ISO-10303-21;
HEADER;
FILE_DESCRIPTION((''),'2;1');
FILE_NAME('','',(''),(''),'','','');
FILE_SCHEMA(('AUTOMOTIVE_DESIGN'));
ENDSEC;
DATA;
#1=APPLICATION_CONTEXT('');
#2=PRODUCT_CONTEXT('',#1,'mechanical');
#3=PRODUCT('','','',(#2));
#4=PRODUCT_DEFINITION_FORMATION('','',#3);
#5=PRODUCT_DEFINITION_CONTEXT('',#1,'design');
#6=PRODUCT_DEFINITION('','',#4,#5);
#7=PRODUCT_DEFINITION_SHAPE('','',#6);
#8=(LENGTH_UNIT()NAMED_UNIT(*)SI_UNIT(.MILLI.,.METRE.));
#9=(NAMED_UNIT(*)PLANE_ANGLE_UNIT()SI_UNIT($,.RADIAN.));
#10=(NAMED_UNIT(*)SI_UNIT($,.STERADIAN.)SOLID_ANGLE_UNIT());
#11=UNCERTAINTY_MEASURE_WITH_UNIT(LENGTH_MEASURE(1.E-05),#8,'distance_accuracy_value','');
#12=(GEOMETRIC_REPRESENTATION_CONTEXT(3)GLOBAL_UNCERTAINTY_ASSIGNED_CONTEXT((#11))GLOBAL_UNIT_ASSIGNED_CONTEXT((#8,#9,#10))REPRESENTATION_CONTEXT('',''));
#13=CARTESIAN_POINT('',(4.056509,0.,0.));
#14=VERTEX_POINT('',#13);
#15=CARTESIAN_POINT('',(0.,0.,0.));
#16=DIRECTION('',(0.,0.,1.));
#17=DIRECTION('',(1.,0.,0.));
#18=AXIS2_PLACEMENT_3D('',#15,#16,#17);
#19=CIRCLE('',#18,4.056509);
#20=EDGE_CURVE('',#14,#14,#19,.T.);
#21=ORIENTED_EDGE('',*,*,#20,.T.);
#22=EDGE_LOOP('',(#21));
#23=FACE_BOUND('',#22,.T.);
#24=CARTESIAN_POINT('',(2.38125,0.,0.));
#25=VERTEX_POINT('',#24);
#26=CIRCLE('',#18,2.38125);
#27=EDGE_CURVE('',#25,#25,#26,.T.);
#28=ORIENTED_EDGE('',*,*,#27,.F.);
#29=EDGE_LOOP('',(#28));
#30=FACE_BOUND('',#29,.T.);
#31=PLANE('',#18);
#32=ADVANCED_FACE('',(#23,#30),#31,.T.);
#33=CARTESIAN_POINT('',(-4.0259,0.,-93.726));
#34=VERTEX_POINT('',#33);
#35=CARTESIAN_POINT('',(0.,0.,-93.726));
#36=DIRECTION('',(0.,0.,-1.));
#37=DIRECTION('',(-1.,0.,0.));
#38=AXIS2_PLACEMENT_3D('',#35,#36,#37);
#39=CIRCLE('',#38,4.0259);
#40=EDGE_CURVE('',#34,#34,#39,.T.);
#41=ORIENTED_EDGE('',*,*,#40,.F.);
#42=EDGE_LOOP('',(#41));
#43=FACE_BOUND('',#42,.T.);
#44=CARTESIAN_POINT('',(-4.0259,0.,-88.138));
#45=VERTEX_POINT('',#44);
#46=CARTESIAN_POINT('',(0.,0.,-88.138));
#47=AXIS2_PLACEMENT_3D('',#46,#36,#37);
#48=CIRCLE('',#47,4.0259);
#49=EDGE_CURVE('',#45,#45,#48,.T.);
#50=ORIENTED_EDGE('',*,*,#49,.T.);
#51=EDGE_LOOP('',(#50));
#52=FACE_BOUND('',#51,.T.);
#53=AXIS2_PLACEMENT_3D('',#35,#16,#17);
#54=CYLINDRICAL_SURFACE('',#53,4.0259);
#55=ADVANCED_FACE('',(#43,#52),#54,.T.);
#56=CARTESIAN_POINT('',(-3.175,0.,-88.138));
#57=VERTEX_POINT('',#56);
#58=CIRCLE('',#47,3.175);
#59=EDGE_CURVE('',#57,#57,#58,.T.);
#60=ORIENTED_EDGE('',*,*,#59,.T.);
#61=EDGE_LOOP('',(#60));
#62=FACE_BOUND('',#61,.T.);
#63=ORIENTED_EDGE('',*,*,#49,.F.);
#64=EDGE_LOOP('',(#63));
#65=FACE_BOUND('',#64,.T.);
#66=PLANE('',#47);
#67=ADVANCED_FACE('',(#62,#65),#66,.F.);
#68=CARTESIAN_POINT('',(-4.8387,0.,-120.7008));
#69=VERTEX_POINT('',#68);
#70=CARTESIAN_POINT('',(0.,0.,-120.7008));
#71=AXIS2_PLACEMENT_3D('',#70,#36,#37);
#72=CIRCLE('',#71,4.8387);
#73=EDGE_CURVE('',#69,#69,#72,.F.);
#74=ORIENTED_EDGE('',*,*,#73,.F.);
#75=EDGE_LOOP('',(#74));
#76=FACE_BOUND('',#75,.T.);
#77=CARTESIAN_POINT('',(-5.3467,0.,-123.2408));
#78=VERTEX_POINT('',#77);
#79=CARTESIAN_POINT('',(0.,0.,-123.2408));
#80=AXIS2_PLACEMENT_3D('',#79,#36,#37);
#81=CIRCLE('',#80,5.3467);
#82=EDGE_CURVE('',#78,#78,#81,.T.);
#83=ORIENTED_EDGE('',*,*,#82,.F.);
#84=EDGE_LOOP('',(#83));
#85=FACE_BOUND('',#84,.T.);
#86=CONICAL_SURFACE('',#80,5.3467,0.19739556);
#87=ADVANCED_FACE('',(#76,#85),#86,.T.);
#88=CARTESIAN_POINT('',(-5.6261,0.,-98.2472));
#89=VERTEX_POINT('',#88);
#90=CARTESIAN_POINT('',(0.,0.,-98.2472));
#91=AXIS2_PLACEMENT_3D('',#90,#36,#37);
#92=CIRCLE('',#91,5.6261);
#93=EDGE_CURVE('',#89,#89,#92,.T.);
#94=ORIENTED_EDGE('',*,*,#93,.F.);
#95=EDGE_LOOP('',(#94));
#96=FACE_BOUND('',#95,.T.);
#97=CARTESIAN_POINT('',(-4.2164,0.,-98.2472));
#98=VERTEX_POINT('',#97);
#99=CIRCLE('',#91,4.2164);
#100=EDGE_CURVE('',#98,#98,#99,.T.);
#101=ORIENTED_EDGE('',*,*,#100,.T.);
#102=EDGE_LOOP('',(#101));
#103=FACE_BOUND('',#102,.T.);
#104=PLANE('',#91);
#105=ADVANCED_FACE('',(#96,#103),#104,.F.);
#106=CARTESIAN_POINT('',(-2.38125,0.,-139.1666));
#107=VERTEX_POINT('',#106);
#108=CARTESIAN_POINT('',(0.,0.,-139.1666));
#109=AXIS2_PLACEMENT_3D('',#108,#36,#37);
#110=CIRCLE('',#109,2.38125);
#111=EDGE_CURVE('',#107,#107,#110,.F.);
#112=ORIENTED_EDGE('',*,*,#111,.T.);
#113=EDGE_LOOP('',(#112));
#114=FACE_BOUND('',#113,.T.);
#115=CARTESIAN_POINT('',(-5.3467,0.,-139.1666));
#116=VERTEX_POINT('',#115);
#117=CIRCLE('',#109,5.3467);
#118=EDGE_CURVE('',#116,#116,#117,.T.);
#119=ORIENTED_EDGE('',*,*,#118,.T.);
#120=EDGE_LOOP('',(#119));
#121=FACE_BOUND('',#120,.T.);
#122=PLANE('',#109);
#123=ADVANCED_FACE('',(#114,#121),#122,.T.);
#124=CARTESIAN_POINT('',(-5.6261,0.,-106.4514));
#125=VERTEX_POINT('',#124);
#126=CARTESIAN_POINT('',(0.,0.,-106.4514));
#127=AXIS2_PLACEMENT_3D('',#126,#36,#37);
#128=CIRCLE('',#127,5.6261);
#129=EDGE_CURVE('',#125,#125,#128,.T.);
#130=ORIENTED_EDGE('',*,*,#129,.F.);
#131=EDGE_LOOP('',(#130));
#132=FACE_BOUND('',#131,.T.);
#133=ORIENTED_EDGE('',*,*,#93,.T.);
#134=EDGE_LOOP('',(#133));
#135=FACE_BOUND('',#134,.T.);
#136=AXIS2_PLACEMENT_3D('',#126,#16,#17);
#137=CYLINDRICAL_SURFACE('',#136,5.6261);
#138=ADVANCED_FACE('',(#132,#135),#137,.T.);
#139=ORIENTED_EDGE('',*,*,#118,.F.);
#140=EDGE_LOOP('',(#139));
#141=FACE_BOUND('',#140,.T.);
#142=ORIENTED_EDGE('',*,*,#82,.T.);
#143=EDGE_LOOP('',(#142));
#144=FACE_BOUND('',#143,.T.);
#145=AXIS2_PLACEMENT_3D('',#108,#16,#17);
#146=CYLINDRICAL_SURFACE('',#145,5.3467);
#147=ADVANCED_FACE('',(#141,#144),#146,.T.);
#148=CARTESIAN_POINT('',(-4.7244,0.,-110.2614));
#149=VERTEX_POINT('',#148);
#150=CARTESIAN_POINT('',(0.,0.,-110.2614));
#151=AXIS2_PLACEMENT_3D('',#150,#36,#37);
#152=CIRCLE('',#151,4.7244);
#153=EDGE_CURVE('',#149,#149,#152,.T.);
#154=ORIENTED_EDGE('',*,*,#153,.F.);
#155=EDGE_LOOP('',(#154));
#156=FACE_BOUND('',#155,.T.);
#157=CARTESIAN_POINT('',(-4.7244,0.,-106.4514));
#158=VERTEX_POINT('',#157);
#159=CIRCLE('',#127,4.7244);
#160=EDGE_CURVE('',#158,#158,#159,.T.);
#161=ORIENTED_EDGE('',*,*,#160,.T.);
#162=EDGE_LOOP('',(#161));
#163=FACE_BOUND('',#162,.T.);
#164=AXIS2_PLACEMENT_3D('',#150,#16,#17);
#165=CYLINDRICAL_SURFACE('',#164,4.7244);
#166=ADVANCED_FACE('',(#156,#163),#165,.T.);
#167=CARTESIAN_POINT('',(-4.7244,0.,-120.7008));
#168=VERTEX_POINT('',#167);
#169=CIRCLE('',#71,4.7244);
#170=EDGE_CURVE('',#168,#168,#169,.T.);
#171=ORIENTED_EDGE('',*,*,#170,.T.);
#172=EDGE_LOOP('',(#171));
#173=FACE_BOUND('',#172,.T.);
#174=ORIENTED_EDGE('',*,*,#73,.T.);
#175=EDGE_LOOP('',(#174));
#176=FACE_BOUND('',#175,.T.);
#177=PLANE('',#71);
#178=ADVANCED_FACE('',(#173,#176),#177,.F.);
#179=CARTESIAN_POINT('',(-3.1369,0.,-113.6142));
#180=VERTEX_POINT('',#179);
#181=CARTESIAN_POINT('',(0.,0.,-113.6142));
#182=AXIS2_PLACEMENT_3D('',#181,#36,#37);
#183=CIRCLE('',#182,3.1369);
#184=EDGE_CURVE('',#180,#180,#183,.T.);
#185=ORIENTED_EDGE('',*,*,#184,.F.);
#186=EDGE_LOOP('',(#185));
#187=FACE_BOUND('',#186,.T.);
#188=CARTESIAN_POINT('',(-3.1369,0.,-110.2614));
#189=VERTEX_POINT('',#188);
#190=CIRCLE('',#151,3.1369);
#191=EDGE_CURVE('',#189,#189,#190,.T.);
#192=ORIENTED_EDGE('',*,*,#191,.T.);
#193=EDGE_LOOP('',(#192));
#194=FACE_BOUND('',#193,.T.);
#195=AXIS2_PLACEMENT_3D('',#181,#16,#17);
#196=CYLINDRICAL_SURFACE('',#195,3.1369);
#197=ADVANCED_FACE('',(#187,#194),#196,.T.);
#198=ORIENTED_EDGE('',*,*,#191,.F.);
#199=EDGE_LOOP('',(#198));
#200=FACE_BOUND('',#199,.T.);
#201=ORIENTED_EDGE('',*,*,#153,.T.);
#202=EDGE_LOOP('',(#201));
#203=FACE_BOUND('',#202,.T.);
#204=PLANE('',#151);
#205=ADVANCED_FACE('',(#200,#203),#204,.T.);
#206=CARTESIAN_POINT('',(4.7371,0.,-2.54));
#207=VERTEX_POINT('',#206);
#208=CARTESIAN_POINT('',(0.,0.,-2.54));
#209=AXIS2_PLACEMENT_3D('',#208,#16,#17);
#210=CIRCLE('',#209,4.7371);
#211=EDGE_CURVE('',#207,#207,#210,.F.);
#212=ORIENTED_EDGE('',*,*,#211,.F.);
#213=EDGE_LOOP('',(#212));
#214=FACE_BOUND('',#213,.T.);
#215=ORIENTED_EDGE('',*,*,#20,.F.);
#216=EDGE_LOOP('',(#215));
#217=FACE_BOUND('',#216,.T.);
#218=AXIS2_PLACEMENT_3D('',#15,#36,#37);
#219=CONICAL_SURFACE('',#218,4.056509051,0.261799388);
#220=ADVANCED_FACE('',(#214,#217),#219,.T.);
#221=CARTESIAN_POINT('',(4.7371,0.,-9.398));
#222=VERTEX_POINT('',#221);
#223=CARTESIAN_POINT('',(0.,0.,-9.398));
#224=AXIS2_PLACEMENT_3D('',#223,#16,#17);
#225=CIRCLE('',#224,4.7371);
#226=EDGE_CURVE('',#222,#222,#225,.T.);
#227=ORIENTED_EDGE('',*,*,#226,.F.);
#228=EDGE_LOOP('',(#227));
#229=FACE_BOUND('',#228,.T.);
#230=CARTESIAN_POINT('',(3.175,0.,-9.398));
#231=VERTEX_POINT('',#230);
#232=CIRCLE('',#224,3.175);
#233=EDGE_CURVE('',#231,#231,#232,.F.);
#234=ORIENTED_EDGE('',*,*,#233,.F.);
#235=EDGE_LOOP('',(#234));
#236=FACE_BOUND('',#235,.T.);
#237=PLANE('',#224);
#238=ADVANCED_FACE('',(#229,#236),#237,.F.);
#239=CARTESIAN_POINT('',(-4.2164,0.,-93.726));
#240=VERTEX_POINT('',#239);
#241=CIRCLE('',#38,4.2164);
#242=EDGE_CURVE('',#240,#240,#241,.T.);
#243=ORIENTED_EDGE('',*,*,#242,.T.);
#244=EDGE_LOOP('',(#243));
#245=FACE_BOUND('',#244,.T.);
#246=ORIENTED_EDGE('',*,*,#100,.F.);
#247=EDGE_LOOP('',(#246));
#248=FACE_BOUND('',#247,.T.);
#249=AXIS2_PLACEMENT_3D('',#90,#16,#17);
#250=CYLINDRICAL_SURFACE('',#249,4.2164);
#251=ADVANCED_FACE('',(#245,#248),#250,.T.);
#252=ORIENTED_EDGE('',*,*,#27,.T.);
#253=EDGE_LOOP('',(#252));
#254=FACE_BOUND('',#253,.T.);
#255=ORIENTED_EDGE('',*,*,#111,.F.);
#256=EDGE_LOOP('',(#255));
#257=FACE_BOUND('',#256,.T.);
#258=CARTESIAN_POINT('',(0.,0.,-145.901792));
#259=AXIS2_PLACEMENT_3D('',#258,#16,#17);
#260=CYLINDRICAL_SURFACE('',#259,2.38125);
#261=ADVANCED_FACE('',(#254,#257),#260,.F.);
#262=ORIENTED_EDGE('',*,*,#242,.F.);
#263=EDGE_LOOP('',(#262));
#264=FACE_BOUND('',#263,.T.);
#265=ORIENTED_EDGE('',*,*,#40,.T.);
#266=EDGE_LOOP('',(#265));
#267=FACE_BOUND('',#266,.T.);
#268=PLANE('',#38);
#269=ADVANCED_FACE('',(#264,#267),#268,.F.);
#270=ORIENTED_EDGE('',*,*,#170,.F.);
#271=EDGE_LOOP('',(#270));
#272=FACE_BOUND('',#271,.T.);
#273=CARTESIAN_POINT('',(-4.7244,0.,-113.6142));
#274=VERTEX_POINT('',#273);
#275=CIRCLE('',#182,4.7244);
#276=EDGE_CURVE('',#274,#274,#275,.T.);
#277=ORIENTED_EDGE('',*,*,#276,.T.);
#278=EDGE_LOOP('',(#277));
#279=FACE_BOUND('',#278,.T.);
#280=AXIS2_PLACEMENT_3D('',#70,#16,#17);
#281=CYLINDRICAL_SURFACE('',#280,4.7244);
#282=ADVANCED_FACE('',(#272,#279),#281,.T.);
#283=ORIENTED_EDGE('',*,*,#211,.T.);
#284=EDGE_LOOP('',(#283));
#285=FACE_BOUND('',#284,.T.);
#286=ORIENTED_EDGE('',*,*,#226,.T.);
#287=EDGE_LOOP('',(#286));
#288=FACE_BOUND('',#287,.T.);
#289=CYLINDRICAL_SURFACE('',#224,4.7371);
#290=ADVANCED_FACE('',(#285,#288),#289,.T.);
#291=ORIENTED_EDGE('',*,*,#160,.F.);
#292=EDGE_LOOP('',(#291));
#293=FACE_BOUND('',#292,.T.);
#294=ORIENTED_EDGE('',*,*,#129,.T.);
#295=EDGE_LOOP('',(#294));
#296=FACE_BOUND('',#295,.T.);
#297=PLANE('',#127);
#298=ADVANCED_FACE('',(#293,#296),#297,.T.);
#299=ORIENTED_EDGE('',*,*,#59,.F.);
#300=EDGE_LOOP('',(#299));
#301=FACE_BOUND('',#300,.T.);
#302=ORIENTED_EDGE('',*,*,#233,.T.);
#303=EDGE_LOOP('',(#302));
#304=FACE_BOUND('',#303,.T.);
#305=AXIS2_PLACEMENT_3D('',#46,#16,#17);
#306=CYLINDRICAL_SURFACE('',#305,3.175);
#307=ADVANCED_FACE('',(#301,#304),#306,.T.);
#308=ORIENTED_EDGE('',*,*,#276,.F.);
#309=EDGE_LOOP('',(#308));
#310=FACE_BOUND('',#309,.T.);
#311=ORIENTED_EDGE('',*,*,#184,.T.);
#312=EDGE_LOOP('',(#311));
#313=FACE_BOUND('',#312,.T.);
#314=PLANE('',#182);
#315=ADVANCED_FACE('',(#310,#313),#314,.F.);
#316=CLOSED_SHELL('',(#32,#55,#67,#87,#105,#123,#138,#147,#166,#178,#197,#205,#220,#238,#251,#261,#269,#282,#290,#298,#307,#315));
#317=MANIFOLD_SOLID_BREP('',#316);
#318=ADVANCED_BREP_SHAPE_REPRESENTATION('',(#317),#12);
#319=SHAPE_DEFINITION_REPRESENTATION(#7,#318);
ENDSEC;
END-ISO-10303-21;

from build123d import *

# Parameters (mm, degrees)
SKETCH1_R           = 4.7371
BOSS_EXTRUDE1_DEPTH = 9.398
SKETCH2_R           = 3.175
BOSS_EXTRUDE2_DEPTH = 78.74
SKETCH3_R           = 4.0259
BOSS_EXTRUDE3_DEPTH = 5.588
SKETCH4_R           = 4.2164
BOSS_EXTRUDE4_DEPTH = 4.5212
SKETCH5_R           = 5.6261
BOSS_EXTRUDE5_DEPTH = 8.2042
SKETCH6_R           = 4.7244
BOSS_EXTRUDE6_DEPTH = 3.81
SKETCH7_R           = 3.1369
BOSS_EXTRUDE7_DEPTH = 3.3528
SKETCH8_R           = 4.7244
BOSS_EXTRUDE8_DEPTH = 7.0866
SKETCH9_R           = 5.3467
BOSS_EXTRUDE9_DEPTH = 18.4658
CHAMFER3_SIZE       = 0.508
CHAMFER3_SIZE2      = 2.54
CHAMFER4_SIZE       = 2.54
CHAMFER4_SIZE2      = 0.680590949
SKETCH10_R          = 2.38125
CUT_EXTRUDE1_DEPTH  = 139.1666


with BuildPart() as part:
    # Sketch1 → Boss-Extrude1 (new body)
    with BuildSketch(Plane.XY):
        Circle(SKETCH1_R)
    extrude(amount=-BOSS_EXTRUDE1_DEPTH)

    # Sketch2 → Boss-Extrude2 (add)
    with BuildSketch(Plane(origin=(0, 0, -9.398), x_dir=(-1, 0, 0), z_dir=(0, 0, -1))):
        Circle(SKETCH2_R)
    extrude(amount=BOSS_EXTRUDE2_DEPTH)

    # Sketch3 → Boss-Extrude3 (add)
    with BuildSketch(Plane(origin=(0, 0, -88.138), x_dir=(-1, 0, 0), z_dir=(0, 0, -1))):
        Circle(SKETCH3_R)
    extrude(amount=BOSS_EXTRUDE3_DEPTH)

    # Sketch4 → Boss-Extrude4 (add)
    with BuildSketch(Plane(origin=(0, 0, -93.726), x_dir=(-1, 0, 0), z_dir=(0, 0, -1))):
        Circle(SKETCH4_R)
    extrude(amount=BOSS_EXTRUDE4_DEPTH)

    # Sketch5 → Boss-Extrude5 (add)
    with BuildSketch(Plane(origin=(0, 0, -98.2472), x_dir=(-1, 0, 0), z_dir=(0, 0, -1))):
        Circle(SKETCH5_R)
    extrude(amount=BOSS_EXTRUDE5_DEPTH)

    # Sketch6 → Boss-Extrude6 (add)
    with BuildSketch(Plane(origin=(0, 0, -106.4514), x_dir=(-1, 0, 0), z_dir=(0, 0, -1))):
        Circle(SKETCH6_R)
    extrude(amount=BOSS_EXTRUDE6_DEPTH)

    # Sketch7 → Boss-Extrude7 (add)
    with BuildSketch(Plane(origin=(0, 0, -110.2614), x_dir=(-1, 0, 0), z_dir=(0, 0, -1))):
        Circle(SKETCH7_R)
    extrude(amount=BOSS_EXTRUDE7_DEPTH)

    # Sketch8 → Boss-Extrude8 (add)
    with BuildSketch(Plane(origin=(0, 0, -113.6142), x_dir=(-1, 0, 0), z_dir=(0, 0, -1))):
        Circle(SKETCH8_R)
    extrude(amount=BOSS_EXTRUDE8_DEPTH)

    # Sketch9 → Boss-Extrude9 (add)
    with BuildSketch(Plane(origin=(0, 0, -120.7008), x_dir=(-1, 0, 0), z_dir=(0, 0, -1))):
        Circle(SKETCH9_R)
    extrude(amount=BOSS_EXTRUDE9_DEPTH)

    # Chamfer3
    chamfer3_edges = [part.edges().sort_by_distance(p)[0] for p in [
        (5.3467, 0, -120.7008),
    ]]
    chamfer3_side = [part.faces().sort_by_distance(p)[0] for p in [
        (5.195472487, 0, -120.7008),
    ]]
    chamfer(chamfer3_edges, length=CHAMFER3_SIZE, length2=CHAMFER3_SIZE2, reference=chamfer3_side[0])

    # Chamfer4
    chamfer4_edges = [part.edges().sort_by_distance(p)[0] for p in [
        (-4.7371, 0, 0),
    ]]
    chamfer4_side = [part.faces().sort_by_distance(p)[0] for p in [
        (-4.7371, 0, -4.699),
    ]]
    chamfer(chamfer4_edges, length=CHAMFER4_SIZE, length2=CHAMFER4_SIZE2, reference=chamfer4_side[0])

    # Sketch10 → Cut-Extrude1 (cut)
    with BuildSketch(Plane.XY):
        Circle(SKETCH10_R)
    extrude(amount=-CUT_EXTRUDE1_DEPTH, mode=Mode.SUBTRACT)


solid = part.part
